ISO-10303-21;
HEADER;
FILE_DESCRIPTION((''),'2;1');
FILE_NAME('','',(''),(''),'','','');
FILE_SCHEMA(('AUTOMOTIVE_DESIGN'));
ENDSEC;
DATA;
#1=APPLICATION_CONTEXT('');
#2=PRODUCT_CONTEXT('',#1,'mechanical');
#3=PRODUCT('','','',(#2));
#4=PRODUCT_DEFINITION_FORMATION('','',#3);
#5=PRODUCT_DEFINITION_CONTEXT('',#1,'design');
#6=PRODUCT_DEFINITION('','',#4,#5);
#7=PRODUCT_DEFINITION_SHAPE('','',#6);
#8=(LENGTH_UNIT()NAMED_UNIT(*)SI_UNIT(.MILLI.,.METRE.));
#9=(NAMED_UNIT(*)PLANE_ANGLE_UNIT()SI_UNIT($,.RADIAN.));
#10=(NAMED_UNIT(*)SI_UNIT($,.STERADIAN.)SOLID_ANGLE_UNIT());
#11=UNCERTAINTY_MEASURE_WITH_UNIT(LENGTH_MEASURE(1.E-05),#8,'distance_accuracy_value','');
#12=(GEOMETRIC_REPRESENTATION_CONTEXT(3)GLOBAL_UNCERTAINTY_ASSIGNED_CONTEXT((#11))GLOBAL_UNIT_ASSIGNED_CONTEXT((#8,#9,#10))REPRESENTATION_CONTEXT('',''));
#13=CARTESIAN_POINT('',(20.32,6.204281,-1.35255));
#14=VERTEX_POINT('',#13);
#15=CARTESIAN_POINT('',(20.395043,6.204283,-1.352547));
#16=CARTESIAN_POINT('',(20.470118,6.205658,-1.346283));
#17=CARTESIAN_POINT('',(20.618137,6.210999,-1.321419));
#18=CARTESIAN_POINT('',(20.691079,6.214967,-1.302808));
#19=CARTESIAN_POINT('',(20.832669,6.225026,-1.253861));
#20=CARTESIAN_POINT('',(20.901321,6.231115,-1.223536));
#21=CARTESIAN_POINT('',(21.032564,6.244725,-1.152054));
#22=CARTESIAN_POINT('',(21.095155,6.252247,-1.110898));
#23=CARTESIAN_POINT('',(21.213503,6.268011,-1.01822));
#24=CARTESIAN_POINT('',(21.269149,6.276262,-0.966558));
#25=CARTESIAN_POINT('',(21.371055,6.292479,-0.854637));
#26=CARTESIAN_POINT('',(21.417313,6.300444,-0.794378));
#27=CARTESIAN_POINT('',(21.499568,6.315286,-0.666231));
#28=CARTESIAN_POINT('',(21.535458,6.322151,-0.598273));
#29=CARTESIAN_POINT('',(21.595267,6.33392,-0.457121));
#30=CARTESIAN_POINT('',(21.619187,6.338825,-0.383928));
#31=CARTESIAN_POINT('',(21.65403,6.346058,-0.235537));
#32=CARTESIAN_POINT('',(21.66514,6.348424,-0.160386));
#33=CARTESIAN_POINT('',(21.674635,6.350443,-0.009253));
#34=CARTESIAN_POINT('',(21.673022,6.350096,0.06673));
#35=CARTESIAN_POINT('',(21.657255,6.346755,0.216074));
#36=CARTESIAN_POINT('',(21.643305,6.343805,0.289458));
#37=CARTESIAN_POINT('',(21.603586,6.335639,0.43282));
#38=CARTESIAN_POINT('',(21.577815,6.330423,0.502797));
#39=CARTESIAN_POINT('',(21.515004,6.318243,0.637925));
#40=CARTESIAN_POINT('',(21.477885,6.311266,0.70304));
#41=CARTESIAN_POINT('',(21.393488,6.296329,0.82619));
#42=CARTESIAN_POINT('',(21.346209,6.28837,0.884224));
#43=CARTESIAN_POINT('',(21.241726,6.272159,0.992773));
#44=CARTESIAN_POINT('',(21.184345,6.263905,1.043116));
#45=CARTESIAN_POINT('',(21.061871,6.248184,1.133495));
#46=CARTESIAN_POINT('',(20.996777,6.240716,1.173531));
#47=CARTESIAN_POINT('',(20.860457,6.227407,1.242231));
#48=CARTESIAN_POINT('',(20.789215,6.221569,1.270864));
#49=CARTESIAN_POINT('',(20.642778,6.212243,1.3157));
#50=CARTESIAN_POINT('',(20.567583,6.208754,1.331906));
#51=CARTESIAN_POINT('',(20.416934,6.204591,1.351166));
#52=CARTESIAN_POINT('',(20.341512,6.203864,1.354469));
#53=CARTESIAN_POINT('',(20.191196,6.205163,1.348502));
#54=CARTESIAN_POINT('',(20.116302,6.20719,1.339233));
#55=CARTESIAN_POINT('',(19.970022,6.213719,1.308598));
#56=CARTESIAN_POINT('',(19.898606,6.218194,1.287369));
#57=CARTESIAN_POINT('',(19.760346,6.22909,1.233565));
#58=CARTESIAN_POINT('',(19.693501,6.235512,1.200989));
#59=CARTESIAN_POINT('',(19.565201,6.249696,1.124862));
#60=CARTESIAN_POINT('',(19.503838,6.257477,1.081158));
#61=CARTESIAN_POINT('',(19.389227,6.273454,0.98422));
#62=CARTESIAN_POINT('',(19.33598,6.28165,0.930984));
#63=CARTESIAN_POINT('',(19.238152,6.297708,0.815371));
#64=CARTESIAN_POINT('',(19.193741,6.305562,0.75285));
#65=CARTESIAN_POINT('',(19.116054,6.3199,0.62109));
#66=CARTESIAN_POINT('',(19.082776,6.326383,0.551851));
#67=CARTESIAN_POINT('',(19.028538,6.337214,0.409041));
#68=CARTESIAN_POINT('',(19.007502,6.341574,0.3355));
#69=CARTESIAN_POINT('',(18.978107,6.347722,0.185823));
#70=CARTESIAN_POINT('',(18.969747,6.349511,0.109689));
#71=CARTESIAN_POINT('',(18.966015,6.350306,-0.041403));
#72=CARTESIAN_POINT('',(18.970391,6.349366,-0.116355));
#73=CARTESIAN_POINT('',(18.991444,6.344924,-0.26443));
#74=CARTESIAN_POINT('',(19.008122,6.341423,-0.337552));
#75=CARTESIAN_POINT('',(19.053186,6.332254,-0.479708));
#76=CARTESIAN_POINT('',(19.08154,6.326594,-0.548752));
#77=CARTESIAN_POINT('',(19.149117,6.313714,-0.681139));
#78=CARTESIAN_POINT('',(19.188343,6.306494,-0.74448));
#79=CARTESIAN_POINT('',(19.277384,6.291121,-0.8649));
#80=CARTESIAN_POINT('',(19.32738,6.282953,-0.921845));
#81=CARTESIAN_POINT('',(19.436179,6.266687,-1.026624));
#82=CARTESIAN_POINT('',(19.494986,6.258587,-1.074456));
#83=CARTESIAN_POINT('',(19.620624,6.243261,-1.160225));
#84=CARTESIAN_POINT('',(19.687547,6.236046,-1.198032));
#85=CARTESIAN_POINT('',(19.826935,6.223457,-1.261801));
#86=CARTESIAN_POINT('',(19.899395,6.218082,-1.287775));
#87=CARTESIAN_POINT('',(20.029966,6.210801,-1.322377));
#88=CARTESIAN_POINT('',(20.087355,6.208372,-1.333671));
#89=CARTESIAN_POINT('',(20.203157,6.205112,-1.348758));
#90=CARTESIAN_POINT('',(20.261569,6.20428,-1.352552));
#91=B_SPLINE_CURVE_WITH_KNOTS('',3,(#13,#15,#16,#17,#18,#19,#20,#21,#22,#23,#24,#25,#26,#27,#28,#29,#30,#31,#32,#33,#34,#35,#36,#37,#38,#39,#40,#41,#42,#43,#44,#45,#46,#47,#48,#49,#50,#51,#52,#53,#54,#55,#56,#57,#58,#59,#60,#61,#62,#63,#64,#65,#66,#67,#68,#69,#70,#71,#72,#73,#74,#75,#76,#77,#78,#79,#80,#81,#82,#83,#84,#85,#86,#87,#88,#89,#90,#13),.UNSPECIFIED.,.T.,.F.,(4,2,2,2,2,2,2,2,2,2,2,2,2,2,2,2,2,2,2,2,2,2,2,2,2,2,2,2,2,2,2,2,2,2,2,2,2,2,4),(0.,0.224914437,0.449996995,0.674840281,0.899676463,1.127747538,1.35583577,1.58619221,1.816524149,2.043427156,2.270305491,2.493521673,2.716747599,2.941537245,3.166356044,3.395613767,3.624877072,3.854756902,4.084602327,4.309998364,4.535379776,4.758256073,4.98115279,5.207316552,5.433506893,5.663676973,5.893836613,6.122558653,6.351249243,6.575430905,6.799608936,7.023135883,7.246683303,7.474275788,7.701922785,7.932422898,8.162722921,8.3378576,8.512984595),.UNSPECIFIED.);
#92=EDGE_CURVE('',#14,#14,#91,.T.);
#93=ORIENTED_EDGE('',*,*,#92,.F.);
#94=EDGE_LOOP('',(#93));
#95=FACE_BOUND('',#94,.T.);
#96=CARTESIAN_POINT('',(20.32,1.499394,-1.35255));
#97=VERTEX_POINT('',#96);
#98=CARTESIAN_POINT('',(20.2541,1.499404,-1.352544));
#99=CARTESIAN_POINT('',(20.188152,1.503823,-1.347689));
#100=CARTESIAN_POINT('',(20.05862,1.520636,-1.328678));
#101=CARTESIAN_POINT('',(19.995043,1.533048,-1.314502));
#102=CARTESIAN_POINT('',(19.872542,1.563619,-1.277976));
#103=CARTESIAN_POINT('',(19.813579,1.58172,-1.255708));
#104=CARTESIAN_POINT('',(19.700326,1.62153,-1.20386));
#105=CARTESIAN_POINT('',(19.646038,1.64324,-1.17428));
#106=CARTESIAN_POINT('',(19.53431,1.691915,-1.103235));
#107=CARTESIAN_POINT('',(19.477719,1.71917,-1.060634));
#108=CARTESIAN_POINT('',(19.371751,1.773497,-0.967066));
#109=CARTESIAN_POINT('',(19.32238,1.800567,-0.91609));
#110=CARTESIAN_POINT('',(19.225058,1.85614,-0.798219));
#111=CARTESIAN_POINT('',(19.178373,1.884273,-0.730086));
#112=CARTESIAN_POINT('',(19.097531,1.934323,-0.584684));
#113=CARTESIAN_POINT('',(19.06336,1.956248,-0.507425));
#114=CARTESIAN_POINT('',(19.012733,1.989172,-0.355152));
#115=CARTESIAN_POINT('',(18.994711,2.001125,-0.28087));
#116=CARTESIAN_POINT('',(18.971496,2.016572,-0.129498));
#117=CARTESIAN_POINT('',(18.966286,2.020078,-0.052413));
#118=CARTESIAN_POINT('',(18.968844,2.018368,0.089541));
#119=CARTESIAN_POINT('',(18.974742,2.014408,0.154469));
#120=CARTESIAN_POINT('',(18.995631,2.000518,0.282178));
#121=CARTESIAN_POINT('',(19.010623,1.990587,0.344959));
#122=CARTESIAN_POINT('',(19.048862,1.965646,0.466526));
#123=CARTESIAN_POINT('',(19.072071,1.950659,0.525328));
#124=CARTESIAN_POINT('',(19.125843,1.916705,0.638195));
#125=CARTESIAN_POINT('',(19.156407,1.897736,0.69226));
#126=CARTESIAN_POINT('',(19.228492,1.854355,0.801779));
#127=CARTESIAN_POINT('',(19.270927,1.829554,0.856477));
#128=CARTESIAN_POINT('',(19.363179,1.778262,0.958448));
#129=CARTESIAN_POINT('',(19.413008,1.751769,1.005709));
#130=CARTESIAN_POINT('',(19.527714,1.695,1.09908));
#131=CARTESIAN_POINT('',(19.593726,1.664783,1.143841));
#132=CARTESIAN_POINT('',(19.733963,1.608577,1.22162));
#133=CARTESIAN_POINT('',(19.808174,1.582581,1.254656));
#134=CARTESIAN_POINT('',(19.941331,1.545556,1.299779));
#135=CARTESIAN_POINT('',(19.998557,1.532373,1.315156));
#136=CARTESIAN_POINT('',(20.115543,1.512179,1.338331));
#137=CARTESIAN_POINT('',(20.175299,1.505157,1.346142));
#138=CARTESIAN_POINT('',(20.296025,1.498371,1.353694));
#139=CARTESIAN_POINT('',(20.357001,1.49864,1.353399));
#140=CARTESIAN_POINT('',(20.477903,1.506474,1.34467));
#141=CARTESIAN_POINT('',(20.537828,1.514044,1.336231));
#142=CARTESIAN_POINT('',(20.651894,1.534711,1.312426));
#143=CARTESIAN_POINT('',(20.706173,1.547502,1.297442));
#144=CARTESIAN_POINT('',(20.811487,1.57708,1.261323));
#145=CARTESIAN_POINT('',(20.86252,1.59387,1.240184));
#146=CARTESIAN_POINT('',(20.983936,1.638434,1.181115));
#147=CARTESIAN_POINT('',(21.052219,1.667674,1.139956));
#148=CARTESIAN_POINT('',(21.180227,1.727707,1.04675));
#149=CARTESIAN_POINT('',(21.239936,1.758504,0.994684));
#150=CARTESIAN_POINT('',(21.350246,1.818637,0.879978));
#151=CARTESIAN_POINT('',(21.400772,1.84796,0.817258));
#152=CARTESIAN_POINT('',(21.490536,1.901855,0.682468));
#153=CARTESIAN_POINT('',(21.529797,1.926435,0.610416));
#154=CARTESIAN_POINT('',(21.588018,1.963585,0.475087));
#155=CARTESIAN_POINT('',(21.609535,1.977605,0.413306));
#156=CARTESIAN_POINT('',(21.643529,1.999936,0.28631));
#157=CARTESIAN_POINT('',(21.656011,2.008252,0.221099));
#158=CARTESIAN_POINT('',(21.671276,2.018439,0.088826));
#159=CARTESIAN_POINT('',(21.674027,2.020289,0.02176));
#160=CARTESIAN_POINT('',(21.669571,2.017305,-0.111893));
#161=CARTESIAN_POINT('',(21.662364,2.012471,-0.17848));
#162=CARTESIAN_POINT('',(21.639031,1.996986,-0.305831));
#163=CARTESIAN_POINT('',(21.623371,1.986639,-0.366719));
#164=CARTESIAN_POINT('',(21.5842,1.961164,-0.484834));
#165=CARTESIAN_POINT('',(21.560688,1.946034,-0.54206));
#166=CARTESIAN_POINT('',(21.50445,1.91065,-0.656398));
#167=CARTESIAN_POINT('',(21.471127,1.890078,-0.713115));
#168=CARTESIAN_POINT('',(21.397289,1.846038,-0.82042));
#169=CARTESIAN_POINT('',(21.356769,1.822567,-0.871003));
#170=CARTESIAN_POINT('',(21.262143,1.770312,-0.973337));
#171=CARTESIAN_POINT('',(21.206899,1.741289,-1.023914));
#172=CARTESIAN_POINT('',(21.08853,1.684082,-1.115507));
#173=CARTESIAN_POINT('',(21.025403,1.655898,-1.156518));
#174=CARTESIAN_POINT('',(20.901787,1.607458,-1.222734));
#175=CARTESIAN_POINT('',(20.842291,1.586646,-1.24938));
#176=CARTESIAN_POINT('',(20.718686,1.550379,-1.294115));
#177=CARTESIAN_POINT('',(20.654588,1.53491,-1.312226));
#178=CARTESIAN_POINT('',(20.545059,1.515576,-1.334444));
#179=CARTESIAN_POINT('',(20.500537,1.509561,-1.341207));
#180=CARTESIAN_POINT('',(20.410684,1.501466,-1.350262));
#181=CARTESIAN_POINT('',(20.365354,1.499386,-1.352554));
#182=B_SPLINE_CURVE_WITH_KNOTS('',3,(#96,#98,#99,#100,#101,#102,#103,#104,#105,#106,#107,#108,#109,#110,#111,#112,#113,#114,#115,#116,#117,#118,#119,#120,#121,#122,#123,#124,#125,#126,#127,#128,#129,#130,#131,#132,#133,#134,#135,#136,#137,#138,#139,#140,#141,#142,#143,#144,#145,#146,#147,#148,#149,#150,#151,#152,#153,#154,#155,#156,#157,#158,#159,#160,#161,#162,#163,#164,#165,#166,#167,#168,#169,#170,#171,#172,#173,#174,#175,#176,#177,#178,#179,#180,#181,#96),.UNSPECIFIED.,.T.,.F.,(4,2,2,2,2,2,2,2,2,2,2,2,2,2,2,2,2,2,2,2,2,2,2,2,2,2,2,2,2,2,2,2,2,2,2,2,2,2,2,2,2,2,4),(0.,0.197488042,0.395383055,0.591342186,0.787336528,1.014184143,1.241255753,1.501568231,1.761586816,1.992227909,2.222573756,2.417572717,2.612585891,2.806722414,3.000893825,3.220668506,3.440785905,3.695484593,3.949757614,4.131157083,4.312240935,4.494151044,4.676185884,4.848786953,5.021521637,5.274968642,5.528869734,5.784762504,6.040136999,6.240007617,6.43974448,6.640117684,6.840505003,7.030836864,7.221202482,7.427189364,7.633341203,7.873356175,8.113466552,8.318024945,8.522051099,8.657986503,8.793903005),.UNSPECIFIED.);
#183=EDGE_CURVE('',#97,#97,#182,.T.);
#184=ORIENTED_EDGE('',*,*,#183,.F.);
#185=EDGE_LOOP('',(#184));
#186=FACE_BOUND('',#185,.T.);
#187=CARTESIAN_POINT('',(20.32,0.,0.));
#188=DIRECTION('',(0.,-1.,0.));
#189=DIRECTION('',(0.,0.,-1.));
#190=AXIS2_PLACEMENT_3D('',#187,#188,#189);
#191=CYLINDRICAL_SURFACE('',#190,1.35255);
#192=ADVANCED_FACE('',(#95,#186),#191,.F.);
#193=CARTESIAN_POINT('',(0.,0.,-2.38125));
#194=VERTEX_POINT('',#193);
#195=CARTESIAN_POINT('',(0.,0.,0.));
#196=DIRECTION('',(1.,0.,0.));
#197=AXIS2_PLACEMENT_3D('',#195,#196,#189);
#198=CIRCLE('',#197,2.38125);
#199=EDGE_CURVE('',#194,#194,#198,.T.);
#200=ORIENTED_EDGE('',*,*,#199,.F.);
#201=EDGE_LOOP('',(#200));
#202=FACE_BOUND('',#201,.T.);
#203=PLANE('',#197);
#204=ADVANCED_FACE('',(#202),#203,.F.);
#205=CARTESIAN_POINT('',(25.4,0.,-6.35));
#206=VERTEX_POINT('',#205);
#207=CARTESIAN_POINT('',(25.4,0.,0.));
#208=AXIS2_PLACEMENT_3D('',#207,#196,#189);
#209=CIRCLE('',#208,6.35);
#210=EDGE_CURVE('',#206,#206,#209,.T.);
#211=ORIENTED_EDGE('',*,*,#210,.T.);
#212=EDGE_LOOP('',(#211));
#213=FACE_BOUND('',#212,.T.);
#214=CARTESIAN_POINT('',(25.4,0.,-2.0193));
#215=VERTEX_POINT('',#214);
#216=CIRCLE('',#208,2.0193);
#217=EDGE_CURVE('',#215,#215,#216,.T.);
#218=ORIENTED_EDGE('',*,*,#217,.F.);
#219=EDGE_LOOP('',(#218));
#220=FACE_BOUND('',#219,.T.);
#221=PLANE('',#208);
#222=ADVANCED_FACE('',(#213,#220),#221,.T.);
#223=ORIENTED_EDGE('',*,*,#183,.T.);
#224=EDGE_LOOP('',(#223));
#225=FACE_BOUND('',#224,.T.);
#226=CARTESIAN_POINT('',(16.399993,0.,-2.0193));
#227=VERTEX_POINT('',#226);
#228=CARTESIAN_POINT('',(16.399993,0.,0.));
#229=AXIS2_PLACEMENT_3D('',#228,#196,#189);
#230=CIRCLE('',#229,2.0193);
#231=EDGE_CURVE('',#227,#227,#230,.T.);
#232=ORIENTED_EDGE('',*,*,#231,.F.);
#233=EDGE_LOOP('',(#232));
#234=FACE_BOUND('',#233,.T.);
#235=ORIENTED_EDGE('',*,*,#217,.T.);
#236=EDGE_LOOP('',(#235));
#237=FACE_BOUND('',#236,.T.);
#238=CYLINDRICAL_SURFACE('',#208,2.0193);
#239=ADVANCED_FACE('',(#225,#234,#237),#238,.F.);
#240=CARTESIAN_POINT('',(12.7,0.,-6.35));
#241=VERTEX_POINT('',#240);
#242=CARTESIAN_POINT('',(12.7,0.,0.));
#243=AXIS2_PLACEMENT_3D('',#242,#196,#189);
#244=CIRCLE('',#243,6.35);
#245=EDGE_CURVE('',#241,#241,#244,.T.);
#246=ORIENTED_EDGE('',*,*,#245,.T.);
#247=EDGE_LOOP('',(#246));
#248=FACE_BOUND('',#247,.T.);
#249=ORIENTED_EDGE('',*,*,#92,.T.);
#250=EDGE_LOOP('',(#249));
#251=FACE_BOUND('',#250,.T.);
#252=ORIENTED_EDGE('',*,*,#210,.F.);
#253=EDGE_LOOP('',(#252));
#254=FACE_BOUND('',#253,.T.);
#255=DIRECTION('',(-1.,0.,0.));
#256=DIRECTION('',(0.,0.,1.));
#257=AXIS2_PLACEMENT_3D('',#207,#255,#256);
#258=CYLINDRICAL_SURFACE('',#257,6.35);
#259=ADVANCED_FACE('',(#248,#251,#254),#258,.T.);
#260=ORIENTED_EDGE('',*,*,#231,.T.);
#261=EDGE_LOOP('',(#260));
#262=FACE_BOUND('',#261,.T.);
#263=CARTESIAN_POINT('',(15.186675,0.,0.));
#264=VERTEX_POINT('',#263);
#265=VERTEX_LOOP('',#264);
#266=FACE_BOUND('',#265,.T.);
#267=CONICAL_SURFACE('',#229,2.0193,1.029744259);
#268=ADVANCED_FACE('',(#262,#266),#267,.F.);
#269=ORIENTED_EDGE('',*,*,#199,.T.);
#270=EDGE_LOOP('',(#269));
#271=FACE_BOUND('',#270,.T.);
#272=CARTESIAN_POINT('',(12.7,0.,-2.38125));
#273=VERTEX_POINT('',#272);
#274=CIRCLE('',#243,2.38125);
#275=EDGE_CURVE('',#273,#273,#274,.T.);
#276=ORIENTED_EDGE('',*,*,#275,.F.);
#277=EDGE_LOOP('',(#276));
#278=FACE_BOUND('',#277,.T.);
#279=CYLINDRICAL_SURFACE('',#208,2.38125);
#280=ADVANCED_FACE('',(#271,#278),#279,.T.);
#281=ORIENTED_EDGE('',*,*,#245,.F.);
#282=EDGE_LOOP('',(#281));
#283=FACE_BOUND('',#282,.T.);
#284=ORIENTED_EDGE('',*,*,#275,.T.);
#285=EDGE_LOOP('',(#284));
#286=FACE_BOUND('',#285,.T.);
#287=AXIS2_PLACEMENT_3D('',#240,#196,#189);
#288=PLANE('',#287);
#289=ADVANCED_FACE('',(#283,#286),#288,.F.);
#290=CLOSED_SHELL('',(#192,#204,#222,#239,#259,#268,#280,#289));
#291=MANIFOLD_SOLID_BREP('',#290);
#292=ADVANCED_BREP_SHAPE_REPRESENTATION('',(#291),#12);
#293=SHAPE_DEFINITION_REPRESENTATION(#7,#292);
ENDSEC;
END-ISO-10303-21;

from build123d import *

# Parameters (mm, degrees)
SKETCH1_R                       = 6.35
BOSS_EXTRUDE1_DEPTH             = 25.4
F_21_0_159_DIAMETER_HOLE1_D     = 4.0386
F_21_0_159_DIAMETER_HOLE1_DEPTH = 9.0000074
F_21_0_159_DIAMETER_HOLE1_TIP   = 1.213317848
SKETCH5_W                       = 1.35255
SKETCH5_H                       = 6.35
SKETCH7_W                       = 12.7
SKETCH7_H                       = 3.96875


with BuildPart() as part:
    # Sketch1 → Boss-Extrude1 (new body)
    with BuildSketch(Plane(origin=(0, 0, 0), x_dir=(0, 0, -1), z_dir=(1, 0, 0))):
        Circle(SKETCH1_R)
    extrude(amount=BOSS_EXTRUDE1_DEPTH)

    # #21 (0.159) Diameter Hole1
    with Locations(Plane(origin=(25.4, 0, 0), x_dir=(0, 0, -1), z_dir=(1, 0, 0))):
        with Locations((0, 0)):
            Hole(F_21_0_159_DIAMETER_HOLE1_D / 2, depth=F_21_0_159_DIAMETER_HOLE1_DEPTH)
            with Locations((0, 0, -(F_21_0_159_DIAMETER_HOLE1_DEPTH + F_21_0_159_DIAMETER_HOLE1_TIP / 2))):  # 118° drill point
                Cone(0, F_21_0_159_DIAMETER_HOLE1_D / 2, F_21_0_159_DIAMETER_HOLE1_TIP, mode=Mode.SUBTRACT)

    # Sketch5 → #6-32 Tapped Hole1 (revolve, cut)
    with BuildSketch(Plane(origin=(20.32, 0, 0), x_dir=(0, 0, -1), z_dir=(1, 0, 0))):
        with Locations((0.676275, 3.175)):
            Rectangle(SKETCH5_W, SKETCH5_H)
    revolve(axis=Axis((20.32, -6.35, 0), (0, 1, 0)), mode=Mode.SUBTRACT)

    # Sketch7 → Cut-Revolve1 (revolve, cut)
    with BuildSketch(Plane(origin=(0, 0, 0), x_dir=(1, 0, 0), z_dir=(0, 1, 0))):
        with Locations((6.35, 4.365625)):
            Rectangle(SKETCH7_W, SKETCH7_H)
    revolve(axis=Axis((25.4, 0, 0), (-1, 0, 0)), mode=Mode.SUBTRACT)


solid = part.part
